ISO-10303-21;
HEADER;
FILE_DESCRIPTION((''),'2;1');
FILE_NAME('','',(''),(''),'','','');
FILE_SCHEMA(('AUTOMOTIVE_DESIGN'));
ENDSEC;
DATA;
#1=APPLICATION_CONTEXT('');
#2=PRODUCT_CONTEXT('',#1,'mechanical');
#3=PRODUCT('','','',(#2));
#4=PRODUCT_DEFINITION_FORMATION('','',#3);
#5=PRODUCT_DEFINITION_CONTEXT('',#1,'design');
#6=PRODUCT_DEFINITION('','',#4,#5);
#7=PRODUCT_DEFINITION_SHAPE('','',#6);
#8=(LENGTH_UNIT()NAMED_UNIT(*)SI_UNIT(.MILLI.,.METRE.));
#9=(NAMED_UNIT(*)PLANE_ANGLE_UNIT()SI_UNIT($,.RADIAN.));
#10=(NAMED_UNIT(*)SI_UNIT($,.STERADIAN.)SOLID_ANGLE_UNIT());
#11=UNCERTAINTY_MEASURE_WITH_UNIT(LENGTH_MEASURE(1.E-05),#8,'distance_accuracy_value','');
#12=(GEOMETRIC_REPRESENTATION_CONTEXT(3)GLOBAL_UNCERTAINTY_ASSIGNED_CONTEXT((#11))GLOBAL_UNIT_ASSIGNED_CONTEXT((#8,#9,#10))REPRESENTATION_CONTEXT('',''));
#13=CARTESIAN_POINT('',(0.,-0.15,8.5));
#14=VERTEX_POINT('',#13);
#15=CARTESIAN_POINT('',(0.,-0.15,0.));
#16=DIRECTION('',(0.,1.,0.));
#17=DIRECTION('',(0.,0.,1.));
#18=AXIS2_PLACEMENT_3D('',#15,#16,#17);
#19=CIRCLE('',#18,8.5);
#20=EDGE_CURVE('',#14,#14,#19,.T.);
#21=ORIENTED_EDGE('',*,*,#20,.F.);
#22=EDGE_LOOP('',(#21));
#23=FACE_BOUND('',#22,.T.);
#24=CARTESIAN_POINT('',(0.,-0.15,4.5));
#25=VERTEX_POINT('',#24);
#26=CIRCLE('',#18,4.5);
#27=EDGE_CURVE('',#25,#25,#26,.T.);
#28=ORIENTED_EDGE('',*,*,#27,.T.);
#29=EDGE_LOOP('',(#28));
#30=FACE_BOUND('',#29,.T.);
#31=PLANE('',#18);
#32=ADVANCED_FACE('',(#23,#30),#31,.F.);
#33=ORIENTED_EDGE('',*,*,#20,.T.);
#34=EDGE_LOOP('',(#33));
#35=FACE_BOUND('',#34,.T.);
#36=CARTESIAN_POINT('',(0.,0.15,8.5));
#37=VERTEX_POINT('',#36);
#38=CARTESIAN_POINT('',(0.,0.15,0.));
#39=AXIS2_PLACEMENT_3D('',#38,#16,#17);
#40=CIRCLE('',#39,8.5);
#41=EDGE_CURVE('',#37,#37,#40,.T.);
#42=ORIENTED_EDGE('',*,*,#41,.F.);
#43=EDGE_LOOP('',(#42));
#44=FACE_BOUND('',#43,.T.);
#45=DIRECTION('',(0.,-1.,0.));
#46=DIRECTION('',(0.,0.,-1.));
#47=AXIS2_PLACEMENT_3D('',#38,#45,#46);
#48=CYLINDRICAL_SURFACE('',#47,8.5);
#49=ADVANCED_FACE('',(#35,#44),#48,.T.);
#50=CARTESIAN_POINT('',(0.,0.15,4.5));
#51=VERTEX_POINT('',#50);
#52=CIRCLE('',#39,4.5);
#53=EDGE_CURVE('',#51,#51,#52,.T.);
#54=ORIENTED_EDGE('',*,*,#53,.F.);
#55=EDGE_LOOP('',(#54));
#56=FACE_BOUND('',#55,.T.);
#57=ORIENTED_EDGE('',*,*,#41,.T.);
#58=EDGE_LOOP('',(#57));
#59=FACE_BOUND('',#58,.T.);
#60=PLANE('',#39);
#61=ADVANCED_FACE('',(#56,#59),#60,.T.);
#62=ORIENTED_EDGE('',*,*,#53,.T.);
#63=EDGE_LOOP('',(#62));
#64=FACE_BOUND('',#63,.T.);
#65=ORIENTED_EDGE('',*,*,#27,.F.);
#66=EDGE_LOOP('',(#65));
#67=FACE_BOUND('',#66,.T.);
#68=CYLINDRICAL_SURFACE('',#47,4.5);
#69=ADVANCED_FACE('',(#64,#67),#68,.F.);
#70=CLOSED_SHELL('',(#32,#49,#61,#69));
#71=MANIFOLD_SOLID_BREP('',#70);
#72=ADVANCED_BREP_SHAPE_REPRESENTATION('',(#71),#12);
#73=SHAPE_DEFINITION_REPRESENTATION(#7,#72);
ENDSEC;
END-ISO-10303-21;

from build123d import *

# Parameters (mm, degrees)
SKETCH1_R           = 8.5
SKETCH1_R_2         = 4.5
BOSS_EXTRUDE1_DEPTH = 0.15


with BuildPart() as part:
    # Sketch1 → Boss-Extrude1 (new, symmetric)
    with BuildSketch(Plane(origin=(0, 0, 0), x_dir=(1, 0, 0), z_dir=(0, 1, 0))):
        with Locations(Location((0, 0, 0), (0, 0, 270))):
            Circle(SKETCH1_R)
        with Locations(Location((0, 0, 0), (0, 0, 270))):
            Circle(SKETCH1_R_2, mode=Mode.SUBTRACT)
    extrude(amount=BOSS_EXTRUDE1_DEPTH, both=True)


solid = part.part
